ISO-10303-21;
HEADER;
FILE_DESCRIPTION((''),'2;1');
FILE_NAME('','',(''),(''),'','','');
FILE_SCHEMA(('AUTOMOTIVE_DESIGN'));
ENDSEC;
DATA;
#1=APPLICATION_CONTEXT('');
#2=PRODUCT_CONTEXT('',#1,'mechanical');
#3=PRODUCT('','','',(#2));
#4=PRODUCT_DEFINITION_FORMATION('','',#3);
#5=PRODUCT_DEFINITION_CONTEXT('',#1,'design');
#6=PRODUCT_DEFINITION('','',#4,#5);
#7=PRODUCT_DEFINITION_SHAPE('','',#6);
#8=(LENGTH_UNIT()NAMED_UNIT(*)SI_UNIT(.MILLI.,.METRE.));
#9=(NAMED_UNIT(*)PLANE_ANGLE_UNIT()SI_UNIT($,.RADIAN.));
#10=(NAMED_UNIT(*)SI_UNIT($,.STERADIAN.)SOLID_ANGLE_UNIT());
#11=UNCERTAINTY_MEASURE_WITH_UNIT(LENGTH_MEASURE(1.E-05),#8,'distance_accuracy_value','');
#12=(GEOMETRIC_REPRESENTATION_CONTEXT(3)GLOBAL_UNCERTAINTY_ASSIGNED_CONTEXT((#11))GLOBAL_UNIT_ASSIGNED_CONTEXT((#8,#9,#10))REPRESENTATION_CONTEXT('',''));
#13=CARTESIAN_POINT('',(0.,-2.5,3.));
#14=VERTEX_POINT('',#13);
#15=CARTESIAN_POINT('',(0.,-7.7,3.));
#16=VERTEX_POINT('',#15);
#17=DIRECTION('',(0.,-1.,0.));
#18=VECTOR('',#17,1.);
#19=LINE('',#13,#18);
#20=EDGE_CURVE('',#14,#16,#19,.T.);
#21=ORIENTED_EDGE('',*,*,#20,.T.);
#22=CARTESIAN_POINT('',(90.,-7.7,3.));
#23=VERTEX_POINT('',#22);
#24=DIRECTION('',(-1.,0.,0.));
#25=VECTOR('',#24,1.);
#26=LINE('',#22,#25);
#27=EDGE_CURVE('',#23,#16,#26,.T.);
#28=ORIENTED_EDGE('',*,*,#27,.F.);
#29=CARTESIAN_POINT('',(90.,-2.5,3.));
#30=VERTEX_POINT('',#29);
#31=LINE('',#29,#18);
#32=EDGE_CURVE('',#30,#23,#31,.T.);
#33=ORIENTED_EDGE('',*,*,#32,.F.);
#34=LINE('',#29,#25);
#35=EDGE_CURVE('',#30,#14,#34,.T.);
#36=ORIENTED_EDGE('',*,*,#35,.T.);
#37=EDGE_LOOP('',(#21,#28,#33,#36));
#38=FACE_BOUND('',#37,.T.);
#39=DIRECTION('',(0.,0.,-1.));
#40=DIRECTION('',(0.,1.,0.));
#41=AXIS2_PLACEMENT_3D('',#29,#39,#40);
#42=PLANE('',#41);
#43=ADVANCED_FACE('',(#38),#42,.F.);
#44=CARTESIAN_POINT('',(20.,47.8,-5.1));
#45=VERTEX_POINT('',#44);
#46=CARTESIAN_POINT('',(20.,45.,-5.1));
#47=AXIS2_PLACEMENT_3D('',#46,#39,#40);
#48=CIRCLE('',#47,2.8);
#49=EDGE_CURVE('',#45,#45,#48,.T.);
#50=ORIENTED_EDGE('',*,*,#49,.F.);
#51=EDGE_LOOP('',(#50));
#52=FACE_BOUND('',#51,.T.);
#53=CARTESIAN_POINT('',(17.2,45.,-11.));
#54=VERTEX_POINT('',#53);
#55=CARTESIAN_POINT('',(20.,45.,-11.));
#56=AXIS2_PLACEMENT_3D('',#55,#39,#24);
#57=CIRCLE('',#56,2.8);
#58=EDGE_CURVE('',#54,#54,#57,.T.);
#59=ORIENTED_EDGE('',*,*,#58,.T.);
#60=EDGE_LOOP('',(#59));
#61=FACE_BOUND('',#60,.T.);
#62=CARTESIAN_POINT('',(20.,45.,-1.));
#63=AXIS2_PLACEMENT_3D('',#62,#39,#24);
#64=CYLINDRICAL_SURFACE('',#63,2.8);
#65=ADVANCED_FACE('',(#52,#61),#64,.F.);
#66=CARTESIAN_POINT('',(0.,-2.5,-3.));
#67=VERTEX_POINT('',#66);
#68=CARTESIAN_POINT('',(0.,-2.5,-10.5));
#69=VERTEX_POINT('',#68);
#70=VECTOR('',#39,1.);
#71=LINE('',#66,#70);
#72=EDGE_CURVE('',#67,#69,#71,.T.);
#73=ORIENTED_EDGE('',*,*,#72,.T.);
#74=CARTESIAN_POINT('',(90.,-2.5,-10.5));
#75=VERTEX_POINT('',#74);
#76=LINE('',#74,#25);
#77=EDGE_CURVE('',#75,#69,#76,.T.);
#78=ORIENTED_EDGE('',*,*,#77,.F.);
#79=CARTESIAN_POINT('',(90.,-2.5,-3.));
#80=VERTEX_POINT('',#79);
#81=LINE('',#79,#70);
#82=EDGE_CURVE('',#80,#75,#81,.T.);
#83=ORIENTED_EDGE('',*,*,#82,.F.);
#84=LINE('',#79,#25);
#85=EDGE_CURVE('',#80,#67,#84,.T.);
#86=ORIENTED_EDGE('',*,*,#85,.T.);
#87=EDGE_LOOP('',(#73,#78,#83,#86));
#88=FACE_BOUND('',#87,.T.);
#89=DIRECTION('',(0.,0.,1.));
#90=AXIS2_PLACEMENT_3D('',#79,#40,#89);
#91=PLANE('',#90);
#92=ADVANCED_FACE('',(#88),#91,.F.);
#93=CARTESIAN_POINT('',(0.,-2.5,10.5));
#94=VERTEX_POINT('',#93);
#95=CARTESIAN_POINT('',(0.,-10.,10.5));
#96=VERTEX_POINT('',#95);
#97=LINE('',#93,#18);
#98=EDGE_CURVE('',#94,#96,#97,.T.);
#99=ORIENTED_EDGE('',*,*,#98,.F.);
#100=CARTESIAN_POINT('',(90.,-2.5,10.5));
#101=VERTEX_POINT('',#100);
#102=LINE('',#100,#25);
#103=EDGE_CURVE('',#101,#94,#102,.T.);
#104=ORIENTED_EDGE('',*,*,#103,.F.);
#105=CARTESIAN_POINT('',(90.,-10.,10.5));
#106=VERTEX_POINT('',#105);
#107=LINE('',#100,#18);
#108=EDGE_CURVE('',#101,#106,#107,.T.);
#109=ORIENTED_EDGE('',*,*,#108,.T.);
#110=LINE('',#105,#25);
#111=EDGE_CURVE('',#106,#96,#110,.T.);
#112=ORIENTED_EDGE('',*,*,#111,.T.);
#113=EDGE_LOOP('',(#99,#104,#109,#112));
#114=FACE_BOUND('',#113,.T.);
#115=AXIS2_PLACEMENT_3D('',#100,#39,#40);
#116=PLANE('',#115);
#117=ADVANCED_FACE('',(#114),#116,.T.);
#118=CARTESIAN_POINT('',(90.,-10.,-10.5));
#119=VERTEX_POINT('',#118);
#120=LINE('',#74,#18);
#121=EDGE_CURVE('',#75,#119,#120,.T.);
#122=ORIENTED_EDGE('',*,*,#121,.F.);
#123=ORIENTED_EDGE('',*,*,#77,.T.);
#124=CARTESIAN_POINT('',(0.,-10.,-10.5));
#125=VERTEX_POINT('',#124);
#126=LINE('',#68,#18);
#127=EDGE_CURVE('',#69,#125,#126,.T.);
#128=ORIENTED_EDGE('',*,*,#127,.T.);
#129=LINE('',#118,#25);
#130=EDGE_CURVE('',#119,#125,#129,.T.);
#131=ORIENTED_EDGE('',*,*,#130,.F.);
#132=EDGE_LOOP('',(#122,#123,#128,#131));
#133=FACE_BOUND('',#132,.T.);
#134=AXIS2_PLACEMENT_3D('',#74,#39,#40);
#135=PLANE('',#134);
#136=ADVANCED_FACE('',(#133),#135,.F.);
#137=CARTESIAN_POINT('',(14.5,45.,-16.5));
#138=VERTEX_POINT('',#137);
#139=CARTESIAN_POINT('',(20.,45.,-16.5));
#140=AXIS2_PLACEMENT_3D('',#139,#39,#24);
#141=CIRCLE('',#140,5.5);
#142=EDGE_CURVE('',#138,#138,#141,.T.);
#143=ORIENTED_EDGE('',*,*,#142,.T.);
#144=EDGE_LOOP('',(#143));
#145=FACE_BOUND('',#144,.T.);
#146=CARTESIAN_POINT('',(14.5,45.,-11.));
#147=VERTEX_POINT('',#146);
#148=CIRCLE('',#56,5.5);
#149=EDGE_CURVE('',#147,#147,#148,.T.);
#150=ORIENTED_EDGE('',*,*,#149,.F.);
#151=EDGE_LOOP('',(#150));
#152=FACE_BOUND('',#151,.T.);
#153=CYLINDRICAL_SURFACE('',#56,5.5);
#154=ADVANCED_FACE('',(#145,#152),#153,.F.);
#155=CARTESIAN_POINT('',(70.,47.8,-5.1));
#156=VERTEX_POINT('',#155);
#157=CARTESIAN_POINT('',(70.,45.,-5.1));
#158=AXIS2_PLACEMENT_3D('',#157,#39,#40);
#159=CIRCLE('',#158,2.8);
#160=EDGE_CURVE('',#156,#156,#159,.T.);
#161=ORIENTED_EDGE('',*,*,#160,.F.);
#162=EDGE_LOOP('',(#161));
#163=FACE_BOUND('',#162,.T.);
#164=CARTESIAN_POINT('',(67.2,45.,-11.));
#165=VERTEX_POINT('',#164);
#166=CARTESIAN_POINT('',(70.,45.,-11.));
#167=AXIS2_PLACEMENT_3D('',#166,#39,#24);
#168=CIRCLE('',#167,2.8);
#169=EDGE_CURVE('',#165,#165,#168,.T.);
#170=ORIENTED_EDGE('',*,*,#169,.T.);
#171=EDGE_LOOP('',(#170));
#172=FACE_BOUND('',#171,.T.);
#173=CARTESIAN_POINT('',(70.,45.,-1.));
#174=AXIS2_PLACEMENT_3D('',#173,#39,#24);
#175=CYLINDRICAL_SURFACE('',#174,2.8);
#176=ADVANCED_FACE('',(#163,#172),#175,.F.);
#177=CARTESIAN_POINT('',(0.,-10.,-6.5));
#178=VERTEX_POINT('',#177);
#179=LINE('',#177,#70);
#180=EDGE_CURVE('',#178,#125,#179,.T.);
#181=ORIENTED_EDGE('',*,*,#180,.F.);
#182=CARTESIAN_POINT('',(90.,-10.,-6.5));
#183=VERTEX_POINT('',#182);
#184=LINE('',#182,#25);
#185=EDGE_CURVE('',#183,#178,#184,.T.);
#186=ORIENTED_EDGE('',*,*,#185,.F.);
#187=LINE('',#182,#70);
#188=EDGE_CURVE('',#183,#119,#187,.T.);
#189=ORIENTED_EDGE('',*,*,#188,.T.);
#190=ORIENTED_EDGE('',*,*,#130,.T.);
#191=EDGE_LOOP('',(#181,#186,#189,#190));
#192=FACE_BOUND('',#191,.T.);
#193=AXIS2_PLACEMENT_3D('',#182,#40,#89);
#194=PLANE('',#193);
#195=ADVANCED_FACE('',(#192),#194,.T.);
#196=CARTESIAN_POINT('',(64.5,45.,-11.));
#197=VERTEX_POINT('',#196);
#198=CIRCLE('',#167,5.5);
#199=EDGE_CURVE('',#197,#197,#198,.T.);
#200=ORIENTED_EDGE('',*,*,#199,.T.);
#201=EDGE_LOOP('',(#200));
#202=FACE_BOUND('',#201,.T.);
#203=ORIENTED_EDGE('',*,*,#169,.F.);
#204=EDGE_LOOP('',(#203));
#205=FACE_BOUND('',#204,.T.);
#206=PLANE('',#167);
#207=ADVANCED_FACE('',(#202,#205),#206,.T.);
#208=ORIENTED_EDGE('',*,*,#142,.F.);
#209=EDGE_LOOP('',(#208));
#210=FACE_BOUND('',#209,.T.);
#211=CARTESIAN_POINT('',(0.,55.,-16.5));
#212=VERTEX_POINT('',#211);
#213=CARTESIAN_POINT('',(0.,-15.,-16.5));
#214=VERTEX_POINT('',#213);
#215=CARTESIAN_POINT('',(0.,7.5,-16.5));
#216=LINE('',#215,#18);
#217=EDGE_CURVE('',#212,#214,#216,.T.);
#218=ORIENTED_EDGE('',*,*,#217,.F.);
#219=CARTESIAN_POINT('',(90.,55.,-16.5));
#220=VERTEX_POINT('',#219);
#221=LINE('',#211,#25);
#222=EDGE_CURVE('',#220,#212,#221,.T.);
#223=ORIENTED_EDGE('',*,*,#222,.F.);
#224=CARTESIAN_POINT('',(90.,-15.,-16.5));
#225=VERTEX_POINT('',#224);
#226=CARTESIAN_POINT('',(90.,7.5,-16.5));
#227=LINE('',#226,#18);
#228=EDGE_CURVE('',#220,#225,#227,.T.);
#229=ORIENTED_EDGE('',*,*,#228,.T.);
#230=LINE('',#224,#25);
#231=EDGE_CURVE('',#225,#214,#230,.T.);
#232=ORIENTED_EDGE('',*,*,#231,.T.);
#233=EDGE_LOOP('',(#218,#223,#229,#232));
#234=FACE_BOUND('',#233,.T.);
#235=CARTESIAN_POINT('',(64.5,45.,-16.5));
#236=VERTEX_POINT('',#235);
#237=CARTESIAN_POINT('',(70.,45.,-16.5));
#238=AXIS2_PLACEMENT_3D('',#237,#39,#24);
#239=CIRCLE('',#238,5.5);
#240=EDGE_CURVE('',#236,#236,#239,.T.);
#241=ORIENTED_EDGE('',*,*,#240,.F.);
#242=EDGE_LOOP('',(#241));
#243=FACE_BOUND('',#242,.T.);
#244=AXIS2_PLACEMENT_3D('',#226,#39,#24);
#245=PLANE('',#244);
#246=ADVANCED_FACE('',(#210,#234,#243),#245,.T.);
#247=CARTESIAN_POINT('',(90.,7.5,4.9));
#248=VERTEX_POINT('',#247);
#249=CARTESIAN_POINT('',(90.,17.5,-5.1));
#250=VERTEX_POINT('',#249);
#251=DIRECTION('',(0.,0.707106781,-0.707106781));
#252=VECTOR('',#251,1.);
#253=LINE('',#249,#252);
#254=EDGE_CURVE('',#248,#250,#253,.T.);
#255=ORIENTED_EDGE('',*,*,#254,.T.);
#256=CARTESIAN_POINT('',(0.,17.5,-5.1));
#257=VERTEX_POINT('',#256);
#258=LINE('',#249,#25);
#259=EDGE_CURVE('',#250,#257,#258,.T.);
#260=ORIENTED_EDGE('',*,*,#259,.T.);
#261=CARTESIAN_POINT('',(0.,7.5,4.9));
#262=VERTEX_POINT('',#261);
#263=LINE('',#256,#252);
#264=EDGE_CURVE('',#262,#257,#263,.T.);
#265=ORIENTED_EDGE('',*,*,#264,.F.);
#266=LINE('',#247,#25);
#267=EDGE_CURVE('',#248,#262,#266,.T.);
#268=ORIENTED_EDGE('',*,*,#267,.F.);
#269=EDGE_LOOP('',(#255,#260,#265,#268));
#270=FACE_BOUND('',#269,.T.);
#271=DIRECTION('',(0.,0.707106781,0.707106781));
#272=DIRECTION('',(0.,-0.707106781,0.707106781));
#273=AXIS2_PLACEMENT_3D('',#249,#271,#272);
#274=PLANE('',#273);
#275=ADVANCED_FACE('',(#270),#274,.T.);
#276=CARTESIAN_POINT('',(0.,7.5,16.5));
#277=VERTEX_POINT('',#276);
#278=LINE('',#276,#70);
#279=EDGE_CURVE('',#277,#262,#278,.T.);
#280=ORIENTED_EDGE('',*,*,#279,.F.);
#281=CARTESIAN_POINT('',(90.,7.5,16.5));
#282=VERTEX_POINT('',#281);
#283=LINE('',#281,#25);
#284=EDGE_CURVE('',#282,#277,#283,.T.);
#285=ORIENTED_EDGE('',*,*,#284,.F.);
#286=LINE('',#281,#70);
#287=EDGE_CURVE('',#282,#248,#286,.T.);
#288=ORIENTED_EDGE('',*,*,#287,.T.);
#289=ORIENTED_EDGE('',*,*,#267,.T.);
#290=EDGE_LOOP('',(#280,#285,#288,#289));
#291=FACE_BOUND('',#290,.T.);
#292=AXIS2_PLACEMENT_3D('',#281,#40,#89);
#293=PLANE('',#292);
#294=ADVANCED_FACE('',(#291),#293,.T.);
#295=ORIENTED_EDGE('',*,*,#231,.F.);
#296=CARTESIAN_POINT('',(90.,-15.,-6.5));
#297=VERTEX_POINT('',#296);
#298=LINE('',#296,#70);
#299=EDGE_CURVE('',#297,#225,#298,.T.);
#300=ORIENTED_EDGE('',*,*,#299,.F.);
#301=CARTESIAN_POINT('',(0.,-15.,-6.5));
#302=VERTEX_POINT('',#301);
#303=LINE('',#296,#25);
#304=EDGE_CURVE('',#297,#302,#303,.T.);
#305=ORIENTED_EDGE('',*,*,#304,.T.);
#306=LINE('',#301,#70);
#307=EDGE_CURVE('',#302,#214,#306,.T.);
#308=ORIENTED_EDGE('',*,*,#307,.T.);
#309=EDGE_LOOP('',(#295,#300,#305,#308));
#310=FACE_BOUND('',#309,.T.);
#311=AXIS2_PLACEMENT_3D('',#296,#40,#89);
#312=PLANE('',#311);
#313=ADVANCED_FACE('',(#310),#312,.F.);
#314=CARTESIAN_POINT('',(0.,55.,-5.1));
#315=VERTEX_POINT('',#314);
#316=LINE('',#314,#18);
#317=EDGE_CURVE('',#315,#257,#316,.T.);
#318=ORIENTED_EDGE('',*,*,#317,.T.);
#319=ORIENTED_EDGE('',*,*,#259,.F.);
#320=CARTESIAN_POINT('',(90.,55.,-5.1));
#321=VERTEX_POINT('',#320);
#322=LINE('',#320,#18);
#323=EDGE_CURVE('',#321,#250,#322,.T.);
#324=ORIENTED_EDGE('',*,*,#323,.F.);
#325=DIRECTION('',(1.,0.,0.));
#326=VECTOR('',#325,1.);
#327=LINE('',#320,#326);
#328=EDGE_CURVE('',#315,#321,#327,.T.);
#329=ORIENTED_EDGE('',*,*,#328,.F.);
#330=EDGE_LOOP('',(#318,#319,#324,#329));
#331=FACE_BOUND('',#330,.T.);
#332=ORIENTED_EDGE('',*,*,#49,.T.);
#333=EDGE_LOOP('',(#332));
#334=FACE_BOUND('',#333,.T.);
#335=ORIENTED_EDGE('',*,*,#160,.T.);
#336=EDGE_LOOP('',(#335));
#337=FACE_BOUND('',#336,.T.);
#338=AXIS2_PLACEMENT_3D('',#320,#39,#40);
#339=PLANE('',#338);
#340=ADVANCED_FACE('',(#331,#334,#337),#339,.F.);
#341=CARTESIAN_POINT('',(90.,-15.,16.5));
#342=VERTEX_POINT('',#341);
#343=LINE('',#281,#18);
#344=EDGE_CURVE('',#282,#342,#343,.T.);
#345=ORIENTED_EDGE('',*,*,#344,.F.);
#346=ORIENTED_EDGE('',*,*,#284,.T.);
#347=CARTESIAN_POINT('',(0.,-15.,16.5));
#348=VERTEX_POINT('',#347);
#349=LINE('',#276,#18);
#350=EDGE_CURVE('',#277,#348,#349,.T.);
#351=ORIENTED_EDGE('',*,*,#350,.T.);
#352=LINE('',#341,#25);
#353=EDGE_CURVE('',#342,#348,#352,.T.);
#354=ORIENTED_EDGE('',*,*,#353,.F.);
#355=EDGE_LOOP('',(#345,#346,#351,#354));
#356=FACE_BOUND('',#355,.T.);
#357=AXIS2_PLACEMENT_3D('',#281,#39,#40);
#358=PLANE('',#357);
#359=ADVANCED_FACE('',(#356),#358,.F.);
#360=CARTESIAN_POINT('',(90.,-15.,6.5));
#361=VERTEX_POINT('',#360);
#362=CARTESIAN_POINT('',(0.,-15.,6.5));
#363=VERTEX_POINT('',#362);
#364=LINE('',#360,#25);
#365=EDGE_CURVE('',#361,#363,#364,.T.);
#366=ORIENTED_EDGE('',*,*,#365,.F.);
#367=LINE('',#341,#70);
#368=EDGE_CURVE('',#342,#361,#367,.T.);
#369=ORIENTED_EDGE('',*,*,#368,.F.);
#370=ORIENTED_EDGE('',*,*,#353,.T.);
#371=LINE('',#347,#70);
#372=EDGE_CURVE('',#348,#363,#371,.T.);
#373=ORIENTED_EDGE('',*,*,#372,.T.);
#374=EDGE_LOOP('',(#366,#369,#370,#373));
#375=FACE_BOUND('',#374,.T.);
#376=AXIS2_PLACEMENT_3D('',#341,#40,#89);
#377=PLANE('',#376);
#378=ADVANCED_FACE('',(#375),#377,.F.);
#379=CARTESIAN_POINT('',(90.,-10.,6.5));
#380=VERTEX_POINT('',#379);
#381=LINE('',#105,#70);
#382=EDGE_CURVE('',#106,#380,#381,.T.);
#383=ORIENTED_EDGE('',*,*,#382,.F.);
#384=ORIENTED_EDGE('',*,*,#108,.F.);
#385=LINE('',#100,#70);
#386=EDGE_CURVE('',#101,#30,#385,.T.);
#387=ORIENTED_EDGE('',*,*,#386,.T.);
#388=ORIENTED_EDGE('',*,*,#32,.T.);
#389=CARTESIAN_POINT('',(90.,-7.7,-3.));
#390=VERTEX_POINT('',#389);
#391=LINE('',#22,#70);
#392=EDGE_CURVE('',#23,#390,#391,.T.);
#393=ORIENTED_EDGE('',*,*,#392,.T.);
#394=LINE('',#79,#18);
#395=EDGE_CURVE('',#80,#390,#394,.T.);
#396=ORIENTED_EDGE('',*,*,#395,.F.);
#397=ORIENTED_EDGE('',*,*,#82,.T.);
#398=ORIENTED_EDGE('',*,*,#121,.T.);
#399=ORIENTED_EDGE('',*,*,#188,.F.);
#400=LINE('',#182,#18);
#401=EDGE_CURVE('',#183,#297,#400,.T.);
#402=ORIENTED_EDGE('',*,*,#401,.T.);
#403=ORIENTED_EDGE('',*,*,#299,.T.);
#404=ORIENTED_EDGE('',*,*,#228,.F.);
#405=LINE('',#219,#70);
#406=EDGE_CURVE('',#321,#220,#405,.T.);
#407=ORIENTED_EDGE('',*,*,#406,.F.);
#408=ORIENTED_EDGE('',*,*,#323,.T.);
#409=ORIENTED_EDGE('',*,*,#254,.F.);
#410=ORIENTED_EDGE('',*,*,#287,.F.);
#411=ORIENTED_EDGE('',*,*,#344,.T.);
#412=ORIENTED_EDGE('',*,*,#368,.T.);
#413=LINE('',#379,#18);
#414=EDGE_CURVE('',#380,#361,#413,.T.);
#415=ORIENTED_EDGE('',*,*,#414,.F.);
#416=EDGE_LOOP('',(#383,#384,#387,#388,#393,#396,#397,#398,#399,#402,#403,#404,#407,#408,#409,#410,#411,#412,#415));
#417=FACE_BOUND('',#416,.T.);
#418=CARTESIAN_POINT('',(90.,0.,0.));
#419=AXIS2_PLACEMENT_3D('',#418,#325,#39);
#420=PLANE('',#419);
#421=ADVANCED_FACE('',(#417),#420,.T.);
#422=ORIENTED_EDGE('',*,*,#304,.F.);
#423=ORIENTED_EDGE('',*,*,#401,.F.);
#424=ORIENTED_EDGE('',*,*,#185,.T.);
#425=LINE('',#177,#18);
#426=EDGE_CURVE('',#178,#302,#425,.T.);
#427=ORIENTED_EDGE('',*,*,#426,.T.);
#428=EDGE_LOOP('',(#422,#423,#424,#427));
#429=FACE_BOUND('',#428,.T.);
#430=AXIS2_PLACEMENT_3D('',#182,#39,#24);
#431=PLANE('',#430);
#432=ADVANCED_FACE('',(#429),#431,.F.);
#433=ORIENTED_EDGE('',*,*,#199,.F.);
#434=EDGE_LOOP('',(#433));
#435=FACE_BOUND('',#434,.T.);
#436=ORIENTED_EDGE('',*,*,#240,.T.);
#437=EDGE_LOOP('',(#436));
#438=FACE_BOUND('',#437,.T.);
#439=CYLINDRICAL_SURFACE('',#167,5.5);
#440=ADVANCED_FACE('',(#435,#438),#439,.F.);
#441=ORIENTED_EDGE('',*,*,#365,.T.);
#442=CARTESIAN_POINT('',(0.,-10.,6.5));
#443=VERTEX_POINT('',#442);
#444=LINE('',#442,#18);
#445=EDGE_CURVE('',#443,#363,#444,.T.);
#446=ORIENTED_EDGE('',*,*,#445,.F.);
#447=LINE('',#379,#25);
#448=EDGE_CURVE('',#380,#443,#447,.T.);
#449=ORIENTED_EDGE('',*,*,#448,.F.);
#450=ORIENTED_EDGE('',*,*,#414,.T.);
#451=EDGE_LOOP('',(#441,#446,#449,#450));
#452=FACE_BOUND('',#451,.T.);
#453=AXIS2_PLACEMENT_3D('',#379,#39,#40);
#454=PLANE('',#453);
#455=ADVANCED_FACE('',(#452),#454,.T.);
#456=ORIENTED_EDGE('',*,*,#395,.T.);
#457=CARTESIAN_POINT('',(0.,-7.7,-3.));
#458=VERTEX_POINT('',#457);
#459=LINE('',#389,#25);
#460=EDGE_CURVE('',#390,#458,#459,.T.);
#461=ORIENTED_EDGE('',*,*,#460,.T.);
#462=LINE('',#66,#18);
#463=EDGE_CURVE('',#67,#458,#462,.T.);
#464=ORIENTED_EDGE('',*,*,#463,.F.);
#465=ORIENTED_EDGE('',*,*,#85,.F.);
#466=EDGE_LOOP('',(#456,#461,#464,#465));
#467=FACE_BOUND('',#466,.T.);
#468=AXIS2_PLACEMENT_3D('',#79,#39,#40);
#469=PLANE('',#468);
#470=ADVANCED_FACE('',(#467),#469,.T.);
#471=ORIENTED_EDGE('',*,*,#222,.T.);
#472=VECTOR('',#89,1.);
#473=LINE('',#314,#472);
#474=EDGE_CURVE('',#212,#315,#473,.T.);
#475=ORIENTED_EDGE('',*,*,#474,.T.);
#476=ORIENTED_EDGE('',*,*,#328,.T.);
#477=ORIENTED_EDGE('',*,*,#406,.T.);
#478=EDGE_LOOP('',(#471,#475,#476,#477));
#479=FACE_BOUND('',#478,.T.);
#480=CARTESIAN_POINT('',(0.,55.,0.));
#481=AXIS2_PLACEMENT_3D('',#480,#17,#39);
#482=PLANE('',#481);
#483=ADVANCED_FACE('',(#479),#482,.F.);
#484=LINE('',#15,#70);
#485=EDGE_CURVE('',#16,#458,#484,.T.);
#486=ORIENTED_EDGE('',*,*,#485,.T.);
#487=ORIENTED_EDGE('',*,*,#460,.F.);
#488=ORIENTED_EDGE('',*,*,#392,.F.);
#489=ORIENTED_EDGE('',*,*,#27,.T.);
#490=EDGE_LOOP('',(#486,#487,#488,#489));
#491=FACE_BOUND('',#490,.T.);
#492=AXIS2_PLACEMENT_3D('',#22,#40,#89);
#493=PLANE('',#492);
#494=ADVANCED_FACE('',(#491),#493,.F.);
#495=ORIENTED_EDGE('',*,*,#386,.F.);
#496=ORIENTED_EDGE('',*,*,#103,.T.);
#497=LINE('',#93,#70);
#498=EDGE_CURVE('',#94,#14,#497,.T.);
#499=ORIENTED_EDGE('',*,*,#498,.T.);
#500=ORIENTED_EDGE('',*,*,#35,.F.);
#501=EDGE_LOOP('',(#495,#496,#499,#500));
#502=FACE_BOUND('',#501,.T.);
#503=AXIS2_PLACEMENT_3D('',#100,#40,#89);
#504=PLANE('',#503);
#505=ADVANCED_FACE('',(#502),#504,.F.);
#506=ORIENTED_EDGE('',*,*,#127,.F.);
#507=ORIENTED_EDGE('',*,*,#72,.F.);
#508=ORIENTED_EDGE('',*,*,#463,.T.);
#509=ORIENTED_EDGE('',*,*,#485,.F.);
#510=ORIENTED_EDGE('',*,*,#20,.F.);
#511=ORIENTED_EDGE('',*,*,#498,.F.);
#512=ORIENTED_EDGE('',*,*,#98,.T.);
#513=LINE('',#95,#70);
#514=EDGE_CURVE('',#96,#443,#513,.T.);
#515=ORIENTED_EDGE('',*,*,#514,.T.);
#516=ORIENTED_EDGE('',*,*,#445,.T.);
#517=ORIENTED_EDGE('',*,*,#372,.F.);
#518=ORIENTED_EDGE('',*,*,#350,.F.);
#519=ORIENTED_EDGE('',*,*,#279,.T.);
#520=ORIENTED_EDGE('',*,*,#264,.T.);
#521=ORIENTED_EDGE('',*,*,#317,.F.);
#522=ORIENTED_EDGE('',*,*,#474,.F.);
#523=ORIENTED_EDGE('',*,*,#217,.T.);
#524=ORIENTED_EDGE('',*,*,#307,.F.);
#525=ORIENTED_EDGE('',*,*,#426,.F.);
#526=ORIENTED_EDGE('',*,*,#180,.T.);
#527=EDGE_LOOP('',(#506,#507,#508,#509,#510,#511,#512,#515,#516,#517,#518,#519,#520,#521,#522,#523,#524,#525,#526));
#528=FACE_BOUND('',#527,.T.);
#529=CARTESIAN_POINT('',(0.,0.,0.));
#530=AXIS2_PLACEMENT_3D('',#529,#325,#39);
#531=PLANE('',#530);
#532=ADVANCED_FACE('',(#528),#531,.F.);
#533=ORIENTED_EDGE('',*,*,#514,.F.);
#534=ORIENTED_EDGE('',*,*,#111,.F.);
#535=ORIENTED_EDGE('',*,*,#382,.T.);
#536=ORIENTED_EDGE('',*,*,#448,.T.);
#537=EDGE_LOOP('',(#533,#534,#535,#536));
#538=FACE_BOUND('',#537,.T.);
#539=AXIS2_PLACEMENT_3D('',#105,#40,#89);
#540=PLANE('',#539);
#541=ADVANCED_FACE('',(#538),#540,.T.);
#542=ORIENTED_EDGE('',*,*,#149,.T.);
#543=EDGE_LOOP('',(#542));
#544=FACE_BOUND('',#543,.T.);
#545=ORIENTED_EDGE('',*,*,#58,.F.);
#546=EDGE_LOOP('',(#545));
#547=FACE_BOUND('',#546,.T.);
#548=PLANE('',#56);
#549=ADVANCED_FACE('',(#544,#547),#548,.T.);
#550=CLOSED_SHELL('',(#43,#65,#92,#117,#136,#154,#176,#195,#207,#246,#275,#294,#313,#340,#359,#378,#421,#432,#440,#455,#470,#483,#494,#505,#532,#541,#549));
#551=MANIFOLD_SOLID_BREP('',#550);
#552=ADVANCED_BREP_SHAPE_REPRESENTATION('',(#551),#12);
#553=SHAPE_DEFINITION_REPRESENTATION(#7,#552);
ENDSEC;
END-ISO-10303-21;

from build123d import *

# Parameters (mm, degrees)
BOSS_EXTRUDE1_DEPTH = 90
SKETCH3_W           = 90
SKETCH3_H           = 11.4
BOSS_EXTRUDE3_DEPTH = 47.5
SKETCH6_R           = 5.5
CUT_EXTRUDE3_DEPTH  = 5.5
SKETCH7_R           = 2.8
CUT_EXTRUDE4_DEPTH  = 10
BOSS_EXTRUDE4_DEPTH = 90


with BuildPart() as part:
    # Sketch1 → Boss-Extrude1 (new body)
    with BuildSketch(Plane(origin=(0, 0, 0), x_dir=(0, 0, -1), z_dir=(1, 0, 0))):
        Polygon((-16.5, 7.5), (16.5, 7.5), (16.5, -15), (6.5, -15), (6.5, -10), (10.5, -10), (10.5, -2.5), (3, -2.5), (3, -7.7), (-3, -7.7), (-3, -2.5), (-10.5, -2.5), (-10.5, -10), (-6.5, -10), (-6.5, -15), (-16.5, -15), align=None)
    extrude(amount=BOSS_EXTRUDE1_DEPTH)

    # Sketch3 → Boss-Extrude3 (add)
    with BuildSketch(Plane(origin=(0, 7.5, 0), x_dir=(1, 0, 0), z_dir=(0, 1, 0))):
        with Locations((45, 10.8)):
            Rectangle(SKETCH3_W, SKETCH3_H)
    extrude(amount=BOSS_EXTRUDE3_DEPTH)

    # Sketch6 → Cut-Extrude3 (cut)
    with BuildSketch(Plane(origin=(0, 0, -16.5), x_dir=(-1, 0, 0), z_dir=(0, 0, -1))):
        with Locations((-70, 45)):
            Circle(SKETCH6_R)
        with Locations((-20, 45)):
            Circle(SKETCH6_R)
    extrude(amount=-CUT_EXTRUDE3_DEPTH, mode=Mode.SUBTRACT)

    # Sketch7 → Cut-Extrude4 (cut)
    with BuildSketch(Plane(origin=(0, 0, -11), x_dir=(-1, 0, 0), z_dir=(0, 0, -1))):
        with Locations((-70, 45)):
            Circle(SKETCH7_R)
        with Locations((-20, 45)):
            Circle(SKETCH7_R)
    extrude(amount=-CUT_EXTRUDE4_DEPTH, mode=Mode.SUBTRACT)

    # Sketch11 → Boss-Extrude4 (add)
    with BuildSketch(Plane.ZY):
        Polygon((-5.1, 17.5), (4.9, 7.5), (-5.1, 7.5), align=None)
    extrude(amount=-BOSS_EXTRUDE4_DEPTH)


solid = part.part
